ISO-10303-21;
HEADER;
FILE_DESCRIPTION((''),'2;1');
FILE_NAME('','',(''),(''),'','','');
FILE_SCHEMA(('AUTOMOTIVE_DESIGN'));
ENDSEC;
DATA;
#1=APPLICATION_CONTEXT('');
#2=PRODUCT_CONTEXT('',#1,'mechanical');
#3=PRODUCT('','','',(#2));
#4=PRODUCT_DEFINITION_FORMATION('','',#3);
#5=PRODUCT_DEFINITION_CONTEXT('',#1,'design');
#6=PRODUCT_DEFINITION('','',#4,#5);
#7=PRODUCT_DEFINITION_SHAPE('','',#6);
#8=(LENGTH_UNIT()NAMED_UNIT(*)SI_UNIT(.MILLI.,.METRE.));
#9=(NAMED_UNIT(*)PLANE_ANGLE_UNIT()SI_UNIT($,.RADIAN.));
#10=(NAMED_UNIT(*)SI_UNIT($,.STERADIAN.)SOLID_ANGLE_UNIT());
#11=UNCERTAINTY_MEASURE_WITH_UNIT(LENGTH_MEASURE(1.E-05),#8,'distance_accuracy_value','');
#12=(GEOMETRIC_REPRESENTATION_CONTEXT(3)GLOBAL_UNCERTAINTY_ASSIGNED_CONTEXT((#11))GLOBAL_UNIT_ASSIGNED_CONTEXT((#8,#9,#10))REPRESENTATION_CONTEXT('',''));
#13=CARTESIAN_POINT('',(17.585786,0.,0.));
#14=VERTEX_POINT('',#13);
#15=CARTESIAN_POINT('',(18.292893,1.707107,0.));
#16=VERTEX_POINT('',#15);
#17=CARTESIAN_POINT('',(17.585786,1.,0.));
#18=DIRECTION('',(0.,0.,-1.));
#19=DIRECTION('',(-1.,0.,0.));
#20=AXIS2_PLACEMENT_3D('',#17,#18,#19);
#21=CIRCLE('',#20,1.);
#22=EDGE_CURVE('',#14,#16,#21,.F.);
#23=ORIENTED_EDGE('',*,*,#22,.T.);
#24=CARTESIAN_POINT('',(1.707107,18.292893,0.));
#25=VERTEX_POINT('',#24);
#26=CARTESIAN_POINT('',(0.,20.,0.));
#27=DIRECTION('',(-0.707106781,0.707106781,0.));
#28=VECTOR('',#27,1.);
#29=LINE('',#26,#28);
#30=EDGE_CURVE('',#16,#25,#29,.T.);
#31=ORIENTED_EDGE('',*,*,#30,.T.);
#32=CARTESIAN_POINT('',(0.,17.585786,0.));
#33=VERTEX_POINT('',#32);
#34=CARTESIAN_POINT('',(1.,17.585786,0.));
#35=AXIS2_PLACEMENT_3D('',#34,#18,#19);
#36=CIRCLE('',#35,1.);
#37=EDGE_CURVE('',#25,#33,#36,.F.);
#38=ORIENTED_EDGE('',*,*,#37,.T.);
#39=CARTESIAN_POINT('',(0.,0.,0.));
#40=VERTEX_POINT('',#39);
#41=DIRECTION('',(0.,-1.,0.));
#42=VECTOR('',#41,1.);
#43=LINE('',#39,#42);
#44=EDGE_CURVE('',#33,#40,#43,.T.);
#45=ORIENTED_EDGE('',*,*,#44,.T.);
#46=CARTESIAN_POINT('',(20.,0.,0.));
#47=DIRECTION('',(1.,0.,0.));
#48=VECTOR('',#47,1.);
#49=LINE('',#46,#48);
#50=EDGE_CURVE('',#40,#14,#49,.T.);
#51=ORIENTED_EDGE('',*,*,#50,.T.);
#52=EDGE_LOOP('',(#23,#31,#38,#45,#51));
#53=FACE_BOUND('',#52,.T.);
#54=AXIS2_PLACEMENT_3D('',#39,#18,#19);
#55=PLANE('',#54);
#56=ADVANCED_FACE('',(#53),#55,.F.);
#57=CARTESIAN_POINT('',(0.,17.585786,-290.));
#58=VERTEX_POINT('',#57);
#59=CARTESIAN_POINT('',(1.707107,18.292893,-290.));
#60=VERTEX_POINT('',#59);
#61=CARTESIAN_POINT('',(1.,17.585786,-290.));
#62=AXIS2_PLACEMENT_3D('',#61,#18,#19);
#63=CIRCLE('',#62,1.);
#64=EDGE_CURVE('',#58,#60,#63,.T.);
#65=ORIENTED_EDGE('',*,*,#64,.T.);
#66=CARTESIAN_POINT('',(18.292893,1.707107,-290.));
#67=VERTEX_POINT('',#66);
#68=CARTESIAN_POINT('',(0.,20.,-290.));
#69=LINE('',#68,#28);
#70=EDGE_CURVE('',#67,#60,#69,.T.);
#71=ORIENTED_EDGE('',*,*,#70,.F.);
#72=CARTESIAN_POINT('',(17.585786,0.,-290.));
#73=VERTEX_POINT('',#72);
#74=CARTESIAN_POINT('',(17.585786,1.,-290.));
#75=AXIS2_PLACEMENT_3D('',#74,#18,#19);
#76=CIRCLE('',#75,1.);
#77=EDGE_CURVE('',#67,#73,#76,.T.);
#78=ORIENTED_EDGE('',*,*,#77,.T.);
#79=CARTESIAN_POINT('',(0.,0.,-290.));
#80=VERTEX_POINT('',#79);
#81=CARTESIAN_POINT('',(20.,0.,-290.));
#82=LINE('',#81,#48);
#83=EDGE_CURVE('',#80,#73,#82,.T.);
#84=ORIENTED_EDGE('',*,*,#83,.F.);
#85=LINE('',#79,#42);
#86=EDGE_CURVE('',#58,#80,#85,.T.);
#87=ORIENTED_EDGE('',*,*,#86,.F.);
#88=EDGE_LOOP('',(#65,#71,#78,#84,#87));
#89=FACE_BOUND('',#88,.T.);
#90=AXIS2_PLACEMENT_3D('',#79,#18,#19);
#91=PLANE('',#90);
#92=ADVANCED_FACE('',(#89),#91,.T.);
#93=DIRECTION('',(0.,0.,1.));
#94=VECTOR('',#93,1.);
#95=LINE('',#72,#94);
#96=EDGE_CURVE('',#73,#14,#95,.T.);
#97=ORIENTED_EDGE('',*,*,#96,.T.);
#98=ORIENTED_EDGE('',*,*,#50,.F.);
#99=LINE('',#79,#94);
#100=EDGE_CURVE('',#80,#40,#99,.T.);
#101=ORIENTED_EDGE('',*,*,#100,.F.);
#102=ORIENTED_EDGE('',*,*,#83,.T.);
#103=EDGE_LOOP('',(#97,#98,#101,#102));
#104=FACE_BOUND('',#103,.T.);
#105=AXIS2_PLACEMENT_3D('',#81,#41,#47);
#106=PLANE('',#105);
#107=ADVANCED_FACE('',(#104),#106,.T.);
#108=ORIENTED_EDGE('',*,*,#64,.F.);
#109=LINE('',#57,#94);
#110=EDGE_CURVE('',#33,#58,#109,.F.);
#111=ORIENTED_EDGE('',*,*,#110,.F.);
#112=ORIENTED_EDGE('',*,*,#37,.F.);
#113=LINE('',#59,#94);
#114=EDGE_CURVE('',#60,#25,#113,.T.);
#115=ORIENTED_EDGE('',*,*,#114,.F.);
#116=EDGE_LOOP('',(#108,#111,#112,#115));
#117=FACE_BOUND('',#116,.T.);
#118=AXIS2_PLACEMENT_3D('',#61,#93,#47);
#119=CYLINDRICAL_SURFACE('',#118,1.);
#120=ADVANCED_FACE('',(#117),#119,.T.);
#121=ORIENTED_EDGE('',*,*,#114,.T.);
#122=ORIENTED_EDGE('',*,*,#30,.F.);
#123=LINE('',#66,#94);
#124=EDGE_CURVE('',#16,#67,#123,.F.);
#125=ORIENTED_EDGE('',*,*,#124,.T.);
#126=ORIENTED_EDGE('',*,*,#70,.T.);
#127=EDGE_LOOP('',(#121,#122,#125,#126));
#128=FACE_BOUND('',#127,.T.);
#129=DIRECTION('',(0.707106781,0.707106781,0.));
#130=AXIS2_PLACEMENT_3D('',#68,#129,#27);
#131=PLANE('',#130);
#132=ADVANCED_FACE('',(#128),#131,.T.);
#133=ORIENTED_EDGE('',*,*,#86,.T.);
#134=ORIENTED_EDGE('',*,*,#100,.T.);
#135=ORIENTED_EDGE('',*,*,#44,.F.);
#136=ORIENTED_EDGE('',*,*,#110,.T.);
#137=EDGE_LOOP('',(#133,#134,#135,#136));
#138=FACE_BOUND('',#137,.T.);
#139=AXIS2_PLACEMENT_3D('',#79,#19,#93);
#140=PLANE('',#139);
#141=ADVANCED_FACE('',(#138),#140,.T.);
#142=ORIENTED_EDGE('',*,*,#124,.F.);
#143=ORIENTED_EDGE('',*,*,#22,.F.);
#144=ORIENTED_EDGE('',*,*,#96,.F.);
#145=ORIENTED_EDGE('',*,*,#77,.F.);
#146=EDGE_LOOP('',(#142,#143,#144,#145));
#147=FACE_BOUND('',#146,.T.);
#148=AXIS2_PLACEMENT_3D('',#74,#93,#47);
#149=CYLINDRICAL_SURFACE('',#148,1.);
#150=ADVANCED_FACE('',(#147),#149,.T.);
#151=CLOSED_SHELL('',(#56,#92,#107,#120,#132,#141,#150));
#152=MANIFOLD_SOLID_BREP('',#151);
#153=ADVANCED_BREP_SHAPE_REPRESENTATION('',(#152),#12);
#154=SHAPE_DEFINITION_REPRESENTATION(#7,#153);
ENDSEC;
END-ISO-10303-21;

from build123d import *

# Parameters (mm, degrees)
EXTRUDE_1_DEPTH = 290
FILLET_1_R      = 1


with BuildPart() as part:
    # Эскиз1 → Бобышка-Вытянуть1 (new body)
    with BuildSketch(Plane.XY):
        Polygon((0, 0), (0, 20), (20, 0), align=None)
    extrude(amount=-EXTRUDE_1_DEPTH)

    # Скругление1
    fillet_1_edges = [part.edges().sort_by_distance(p)[0] for p in [
        (0, 20, -145),
        (20, 0, -145),
    ]]
    fillet(fillet_1_edges, radius=FILLET_1_R)


solid = part.part
